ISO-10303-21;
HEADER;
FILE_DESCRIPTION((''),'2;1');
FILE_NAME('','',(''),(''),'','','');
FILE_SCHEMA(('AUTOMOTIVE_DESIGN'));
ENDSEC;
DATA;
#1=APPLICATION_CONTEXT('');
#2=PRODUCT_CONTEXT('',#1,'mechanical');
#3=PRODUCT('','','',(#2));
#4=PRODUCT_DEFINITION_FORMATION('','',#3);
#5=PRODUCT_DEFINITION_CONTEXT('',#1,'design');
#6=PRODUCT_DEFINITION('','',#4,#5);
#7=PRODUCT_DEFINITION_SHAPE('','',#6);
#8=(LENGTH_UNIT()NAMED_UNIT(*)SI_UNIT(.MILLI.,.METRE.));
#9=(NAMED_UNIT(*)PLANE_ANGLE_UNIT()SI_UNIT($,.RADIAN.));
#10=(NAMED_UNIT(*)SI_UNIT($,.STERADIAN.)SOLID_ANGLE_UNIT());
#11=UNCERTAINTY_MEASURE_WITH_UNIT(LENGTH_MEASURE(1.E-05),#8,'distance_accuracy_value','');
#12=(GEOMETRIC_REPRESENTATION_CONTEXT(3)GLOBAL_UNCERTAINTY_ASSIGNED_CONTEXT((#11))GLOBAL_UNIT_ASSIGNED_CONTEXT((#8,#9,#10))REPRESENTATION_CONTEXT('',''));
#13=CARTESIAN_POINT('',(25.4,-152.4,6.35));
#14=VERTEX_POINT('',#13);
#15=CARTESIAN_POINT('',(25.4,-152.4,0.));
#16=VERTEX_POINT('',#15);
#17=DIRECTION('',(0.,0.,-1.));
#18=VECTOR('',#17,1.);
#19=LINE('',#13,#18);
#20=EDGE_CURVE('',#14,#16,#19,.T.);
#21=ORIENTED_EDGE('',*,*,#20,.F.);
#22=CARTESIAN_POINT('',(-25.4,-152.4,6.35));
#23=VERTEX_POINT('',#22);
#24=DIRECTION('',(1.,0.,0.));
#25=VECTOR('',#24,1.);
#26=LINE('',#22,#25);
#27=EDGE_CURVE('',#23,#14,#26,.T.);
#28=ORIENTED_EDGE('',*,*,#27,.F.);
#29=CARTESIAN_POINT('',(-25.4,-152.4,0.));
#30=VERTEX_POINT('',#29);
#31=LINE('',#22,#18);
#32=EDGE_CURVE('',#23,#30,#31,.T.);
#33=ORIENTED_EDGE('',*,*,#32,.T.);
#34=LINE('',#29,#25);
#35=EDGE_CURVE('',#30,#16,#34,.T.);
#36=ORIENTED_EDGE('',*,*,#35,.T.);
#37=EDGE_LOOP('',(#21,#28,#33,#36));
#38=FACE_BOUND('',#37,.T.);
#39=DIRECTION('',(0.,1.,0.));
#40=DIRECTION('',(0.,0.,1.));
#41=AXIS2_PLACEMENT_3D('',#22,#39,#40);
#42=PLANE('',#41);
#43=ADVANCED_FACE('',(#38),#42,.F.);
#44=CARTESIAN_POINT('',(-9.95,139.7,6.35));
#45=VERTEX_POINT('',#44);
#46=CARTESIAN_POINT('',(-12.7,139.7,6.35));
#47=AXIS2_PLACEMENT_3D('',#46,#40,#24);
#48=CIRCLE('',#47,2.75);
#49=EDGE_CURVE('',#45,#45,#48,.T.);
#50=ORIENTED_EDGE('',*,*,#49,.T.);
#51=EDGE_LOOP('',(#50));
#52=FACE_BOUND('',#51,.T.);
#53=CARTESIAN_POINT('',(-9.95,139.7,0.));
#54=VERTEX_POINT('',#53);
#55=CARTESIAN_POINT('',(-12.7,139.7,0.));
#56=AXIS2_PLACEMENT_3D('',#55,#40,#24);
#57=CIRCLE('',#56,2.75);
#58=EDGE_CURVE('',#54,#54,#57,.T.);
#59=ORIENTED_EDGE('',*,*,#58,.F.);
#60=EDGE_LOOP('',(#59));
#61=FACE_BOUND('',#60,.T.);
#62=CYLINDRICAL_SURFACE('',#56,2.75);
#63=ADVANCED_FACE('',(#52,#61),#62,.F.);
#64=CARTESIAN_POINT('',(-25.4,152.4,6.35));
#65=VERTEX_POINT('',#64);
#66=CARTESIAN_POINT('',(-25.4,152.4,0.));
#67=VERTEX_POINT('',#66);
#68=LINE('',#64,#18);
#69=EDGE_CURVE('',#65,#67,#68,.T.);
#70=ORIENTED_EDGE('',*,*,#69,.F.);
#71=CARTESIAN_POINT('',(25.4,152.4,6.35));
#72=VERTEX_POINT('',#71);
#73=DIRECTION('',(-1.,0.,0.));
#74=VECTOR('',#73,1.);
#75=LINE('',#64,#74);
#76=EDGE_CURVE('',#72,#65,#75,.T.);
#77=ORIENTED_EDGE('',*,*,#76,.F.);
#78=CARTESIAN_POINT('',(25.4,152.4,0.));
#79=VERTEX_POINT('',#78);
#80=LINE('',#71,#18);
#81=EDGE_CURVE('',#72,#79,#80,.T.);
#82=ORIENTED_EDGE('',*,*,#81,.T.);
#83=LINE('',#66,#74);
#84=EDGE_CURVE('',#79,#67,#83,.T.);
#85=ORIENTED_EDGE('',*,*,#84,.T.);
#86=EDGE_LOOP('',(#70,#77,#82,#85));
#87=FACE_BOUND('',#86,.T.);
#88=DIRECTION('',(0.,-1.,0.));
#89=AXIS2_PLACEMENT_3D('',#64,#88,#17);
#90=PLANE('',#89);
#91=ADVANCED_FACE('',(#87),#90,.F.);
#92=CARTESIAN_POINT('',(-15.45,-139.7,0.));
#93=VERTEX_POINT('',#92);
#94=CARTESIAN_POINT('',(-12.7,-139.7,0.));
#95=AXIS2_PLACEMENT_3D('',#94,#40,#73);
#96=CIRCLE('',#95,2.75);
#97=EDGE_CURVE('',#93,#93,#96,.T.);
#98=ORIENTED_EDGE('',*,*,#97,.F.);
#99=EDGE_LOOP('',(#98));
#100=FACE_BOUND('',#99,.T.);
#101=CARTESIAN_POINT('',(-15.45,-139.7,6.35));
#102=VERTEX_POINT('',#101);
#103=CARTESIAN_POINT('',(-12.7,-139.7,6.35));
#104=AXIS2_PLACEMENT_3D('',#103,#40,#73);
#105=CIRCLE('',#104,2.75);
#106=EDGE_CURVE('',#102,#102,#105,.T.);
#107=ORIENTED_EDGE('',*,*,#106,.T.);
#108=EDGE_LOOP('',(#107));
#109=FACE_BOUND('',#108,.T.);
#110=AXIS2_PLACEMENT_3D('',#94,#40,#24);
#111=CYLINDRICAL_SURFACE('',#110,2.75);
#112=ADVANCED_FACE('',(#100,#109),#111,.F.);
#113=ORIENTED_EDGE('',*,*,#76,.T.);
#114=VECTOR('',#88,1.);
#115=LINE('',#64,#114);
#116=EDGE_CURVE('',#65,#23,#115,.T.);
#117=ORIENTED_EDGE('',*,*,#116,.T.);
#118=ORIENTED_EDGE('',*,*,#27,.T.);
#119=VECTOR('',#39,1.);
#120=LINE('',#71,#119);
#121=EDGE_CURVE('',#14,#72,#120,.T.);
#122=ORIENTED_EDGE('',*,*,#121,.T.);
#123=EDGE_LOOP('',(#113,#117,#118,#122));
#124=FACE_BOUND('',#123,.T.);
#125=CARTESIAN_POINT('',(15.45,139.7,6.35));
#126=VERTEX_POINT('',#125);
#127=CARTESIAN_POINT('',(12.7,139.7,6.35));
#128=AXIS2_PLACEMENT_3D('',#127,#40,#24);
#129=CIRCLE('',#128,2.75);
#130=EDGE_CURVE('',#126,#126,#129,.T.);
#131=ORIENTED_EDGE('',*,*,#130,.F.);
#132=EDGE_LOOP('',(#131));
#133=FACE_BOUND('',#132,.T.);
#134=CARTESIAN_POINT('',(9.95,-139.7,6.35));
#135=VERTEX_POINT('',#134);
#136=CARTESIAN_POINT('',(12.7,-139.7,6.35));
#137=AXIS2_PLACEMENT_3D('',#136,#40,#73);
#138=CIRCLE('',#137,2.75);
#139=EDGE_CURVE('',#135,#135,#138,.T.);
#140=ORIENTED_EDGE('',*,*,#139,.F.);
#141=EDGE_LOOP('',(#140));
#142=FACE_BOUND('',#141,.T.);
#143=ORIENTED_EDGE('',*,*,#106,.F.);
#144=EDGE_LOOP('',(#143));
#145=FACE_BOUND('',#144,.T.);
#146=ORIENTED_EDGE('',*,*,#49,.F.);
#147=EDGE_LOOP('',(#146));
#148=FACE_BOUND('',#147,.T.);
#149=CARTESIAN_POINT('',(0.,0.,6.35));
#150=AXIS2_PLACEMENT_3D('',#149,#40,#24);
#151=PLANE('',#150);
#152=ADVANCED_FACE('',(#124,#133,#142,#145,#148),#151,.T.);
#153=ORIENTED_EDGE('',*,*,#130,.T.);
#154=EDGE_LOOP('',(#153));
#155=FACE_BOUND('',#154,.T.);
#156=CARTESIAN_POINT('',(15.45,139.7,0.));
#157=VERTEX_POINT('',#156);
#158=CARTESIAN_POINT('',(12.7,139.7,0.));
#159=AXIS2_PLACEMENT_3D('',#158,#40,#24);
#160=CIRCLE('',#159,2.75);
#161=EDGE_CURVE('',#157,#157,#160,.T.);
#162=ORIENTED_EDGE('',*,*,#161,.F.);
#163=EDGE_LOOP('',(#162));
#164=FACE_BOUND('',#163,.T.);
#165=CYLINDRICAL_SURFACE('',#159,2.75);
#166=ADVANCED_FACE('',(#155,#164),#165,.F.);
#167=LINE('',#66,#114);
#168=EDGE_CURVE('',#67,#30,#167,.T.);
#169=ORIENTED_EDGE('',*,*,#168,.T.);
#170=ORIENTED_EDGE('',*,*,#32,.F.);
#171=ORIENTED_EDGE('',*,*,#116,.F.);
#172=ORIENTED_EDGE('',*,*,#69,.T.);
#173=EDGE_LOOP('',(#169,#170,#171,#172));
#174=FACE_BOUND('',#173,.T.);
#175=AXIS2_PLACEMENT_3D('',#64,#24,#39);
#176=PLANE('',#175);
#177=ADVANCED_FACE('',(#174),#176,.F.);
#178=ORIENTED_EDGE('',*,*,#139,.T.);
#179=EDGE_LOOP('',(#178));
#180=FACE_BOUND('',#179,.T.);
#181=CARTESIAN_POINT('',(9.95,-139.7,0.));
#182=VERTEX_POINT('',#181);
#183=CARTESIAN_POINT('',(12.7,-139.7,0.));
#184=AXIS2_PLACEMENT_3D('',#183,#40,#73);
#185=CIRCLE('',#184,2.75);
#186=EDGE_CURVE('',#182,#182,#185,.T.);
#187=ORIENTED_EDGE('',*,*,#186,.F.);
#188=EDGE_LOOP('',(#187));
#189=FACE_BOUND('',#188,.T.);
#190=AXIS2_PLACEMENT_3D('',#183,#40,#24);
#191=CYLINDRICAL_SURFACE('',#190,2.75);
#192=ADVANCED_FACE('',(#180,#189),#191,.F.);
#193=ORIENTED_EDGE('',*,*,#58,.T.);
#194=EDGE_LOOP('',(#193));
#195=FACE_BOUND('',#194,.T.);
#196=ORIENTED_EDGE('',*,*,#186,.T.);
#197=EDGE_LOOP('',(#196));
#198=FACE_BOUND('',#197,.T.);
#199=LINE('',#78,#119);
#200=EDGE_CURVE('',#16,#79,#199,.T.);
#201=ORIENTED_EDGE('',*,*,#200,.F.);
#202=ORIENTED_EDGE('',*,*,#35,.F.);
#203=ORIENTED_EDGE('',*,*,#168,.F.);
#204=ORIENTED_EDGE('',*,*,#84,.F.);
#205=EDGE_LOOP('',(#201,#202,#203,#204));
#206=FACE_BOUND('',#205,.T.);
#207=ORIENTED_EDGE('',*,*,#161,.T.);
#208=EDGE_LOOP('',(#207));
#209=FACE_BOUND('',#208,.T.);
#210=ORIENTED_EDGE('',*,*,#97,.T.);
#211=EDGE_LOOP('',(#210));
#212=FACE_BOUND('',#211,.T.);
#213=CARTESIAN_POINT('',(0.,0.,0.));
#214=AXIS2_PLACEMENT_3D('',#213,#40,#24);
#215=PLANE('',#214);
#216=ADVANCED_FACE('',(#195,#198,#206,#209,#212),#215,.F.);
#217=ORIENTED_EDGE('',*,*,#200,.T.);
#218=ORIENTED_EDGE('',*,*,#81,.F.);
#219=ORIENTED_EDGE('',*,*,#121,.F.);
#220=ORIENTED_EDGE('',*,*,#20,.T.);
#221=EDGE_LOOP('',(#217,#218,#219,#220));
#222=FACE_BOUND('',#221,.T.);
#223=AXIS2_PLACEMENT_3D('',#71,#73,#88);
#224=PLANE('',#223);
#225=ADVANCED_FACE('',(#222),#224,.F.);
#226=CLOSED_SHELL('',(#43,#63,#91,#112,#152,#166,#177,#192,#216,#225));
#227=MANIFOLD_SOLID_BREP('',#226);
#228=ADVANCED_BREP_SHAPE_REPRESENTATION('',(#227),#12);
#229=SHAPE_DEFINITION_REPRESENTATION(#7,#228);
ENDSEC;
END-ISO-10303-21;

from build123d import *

# Parameters (mm, degrees)
ESQUISSE1_W             = 50.8
ESQUISSE1_H             = 304.8
BOSS_EXTRU_1_DEPTH      = 6.35
ESQUISSE2_R             = 2.75
ENL_V_MAT_EXTRU_1_DEPTH = 155.632604906


with BuildPart() as part:
    # Esquisse1 → Boss.-Extru.1 (new body)
    with BuildSketch(Plane.XY):
        Rectangle(ESQUISSE1_W, ESQUISSE1_H)
    extrude(amount=BOSS_EXTRU_1_DEPTH)

    # Esquisse2 → Enlèv. mat.-Extru.1 (cut, through all)
    with BuildSketch(Plane.XY.offset(6.35)):
        with Locations((12.7, 139.7)):
            Circle(ESQUISSE2_R)
        with Locations((-12.7, 139.7)):
            Circle(ESQUISSE2_R)
        with Locations(Location((12.7, -139.7, 0), (0, 0, 180))):
            Circle(ESQUISSE2_R)
        with Locations(Location((-12.7, -139.7, 0), (0, 0, 180))):
            Circle(ESQUISSE2_R)
    extrude(amount=-ENL_V_MAT_EXTRU_1_DEPTH, mode=Mode.SUBTRACT)


solid = part.part
